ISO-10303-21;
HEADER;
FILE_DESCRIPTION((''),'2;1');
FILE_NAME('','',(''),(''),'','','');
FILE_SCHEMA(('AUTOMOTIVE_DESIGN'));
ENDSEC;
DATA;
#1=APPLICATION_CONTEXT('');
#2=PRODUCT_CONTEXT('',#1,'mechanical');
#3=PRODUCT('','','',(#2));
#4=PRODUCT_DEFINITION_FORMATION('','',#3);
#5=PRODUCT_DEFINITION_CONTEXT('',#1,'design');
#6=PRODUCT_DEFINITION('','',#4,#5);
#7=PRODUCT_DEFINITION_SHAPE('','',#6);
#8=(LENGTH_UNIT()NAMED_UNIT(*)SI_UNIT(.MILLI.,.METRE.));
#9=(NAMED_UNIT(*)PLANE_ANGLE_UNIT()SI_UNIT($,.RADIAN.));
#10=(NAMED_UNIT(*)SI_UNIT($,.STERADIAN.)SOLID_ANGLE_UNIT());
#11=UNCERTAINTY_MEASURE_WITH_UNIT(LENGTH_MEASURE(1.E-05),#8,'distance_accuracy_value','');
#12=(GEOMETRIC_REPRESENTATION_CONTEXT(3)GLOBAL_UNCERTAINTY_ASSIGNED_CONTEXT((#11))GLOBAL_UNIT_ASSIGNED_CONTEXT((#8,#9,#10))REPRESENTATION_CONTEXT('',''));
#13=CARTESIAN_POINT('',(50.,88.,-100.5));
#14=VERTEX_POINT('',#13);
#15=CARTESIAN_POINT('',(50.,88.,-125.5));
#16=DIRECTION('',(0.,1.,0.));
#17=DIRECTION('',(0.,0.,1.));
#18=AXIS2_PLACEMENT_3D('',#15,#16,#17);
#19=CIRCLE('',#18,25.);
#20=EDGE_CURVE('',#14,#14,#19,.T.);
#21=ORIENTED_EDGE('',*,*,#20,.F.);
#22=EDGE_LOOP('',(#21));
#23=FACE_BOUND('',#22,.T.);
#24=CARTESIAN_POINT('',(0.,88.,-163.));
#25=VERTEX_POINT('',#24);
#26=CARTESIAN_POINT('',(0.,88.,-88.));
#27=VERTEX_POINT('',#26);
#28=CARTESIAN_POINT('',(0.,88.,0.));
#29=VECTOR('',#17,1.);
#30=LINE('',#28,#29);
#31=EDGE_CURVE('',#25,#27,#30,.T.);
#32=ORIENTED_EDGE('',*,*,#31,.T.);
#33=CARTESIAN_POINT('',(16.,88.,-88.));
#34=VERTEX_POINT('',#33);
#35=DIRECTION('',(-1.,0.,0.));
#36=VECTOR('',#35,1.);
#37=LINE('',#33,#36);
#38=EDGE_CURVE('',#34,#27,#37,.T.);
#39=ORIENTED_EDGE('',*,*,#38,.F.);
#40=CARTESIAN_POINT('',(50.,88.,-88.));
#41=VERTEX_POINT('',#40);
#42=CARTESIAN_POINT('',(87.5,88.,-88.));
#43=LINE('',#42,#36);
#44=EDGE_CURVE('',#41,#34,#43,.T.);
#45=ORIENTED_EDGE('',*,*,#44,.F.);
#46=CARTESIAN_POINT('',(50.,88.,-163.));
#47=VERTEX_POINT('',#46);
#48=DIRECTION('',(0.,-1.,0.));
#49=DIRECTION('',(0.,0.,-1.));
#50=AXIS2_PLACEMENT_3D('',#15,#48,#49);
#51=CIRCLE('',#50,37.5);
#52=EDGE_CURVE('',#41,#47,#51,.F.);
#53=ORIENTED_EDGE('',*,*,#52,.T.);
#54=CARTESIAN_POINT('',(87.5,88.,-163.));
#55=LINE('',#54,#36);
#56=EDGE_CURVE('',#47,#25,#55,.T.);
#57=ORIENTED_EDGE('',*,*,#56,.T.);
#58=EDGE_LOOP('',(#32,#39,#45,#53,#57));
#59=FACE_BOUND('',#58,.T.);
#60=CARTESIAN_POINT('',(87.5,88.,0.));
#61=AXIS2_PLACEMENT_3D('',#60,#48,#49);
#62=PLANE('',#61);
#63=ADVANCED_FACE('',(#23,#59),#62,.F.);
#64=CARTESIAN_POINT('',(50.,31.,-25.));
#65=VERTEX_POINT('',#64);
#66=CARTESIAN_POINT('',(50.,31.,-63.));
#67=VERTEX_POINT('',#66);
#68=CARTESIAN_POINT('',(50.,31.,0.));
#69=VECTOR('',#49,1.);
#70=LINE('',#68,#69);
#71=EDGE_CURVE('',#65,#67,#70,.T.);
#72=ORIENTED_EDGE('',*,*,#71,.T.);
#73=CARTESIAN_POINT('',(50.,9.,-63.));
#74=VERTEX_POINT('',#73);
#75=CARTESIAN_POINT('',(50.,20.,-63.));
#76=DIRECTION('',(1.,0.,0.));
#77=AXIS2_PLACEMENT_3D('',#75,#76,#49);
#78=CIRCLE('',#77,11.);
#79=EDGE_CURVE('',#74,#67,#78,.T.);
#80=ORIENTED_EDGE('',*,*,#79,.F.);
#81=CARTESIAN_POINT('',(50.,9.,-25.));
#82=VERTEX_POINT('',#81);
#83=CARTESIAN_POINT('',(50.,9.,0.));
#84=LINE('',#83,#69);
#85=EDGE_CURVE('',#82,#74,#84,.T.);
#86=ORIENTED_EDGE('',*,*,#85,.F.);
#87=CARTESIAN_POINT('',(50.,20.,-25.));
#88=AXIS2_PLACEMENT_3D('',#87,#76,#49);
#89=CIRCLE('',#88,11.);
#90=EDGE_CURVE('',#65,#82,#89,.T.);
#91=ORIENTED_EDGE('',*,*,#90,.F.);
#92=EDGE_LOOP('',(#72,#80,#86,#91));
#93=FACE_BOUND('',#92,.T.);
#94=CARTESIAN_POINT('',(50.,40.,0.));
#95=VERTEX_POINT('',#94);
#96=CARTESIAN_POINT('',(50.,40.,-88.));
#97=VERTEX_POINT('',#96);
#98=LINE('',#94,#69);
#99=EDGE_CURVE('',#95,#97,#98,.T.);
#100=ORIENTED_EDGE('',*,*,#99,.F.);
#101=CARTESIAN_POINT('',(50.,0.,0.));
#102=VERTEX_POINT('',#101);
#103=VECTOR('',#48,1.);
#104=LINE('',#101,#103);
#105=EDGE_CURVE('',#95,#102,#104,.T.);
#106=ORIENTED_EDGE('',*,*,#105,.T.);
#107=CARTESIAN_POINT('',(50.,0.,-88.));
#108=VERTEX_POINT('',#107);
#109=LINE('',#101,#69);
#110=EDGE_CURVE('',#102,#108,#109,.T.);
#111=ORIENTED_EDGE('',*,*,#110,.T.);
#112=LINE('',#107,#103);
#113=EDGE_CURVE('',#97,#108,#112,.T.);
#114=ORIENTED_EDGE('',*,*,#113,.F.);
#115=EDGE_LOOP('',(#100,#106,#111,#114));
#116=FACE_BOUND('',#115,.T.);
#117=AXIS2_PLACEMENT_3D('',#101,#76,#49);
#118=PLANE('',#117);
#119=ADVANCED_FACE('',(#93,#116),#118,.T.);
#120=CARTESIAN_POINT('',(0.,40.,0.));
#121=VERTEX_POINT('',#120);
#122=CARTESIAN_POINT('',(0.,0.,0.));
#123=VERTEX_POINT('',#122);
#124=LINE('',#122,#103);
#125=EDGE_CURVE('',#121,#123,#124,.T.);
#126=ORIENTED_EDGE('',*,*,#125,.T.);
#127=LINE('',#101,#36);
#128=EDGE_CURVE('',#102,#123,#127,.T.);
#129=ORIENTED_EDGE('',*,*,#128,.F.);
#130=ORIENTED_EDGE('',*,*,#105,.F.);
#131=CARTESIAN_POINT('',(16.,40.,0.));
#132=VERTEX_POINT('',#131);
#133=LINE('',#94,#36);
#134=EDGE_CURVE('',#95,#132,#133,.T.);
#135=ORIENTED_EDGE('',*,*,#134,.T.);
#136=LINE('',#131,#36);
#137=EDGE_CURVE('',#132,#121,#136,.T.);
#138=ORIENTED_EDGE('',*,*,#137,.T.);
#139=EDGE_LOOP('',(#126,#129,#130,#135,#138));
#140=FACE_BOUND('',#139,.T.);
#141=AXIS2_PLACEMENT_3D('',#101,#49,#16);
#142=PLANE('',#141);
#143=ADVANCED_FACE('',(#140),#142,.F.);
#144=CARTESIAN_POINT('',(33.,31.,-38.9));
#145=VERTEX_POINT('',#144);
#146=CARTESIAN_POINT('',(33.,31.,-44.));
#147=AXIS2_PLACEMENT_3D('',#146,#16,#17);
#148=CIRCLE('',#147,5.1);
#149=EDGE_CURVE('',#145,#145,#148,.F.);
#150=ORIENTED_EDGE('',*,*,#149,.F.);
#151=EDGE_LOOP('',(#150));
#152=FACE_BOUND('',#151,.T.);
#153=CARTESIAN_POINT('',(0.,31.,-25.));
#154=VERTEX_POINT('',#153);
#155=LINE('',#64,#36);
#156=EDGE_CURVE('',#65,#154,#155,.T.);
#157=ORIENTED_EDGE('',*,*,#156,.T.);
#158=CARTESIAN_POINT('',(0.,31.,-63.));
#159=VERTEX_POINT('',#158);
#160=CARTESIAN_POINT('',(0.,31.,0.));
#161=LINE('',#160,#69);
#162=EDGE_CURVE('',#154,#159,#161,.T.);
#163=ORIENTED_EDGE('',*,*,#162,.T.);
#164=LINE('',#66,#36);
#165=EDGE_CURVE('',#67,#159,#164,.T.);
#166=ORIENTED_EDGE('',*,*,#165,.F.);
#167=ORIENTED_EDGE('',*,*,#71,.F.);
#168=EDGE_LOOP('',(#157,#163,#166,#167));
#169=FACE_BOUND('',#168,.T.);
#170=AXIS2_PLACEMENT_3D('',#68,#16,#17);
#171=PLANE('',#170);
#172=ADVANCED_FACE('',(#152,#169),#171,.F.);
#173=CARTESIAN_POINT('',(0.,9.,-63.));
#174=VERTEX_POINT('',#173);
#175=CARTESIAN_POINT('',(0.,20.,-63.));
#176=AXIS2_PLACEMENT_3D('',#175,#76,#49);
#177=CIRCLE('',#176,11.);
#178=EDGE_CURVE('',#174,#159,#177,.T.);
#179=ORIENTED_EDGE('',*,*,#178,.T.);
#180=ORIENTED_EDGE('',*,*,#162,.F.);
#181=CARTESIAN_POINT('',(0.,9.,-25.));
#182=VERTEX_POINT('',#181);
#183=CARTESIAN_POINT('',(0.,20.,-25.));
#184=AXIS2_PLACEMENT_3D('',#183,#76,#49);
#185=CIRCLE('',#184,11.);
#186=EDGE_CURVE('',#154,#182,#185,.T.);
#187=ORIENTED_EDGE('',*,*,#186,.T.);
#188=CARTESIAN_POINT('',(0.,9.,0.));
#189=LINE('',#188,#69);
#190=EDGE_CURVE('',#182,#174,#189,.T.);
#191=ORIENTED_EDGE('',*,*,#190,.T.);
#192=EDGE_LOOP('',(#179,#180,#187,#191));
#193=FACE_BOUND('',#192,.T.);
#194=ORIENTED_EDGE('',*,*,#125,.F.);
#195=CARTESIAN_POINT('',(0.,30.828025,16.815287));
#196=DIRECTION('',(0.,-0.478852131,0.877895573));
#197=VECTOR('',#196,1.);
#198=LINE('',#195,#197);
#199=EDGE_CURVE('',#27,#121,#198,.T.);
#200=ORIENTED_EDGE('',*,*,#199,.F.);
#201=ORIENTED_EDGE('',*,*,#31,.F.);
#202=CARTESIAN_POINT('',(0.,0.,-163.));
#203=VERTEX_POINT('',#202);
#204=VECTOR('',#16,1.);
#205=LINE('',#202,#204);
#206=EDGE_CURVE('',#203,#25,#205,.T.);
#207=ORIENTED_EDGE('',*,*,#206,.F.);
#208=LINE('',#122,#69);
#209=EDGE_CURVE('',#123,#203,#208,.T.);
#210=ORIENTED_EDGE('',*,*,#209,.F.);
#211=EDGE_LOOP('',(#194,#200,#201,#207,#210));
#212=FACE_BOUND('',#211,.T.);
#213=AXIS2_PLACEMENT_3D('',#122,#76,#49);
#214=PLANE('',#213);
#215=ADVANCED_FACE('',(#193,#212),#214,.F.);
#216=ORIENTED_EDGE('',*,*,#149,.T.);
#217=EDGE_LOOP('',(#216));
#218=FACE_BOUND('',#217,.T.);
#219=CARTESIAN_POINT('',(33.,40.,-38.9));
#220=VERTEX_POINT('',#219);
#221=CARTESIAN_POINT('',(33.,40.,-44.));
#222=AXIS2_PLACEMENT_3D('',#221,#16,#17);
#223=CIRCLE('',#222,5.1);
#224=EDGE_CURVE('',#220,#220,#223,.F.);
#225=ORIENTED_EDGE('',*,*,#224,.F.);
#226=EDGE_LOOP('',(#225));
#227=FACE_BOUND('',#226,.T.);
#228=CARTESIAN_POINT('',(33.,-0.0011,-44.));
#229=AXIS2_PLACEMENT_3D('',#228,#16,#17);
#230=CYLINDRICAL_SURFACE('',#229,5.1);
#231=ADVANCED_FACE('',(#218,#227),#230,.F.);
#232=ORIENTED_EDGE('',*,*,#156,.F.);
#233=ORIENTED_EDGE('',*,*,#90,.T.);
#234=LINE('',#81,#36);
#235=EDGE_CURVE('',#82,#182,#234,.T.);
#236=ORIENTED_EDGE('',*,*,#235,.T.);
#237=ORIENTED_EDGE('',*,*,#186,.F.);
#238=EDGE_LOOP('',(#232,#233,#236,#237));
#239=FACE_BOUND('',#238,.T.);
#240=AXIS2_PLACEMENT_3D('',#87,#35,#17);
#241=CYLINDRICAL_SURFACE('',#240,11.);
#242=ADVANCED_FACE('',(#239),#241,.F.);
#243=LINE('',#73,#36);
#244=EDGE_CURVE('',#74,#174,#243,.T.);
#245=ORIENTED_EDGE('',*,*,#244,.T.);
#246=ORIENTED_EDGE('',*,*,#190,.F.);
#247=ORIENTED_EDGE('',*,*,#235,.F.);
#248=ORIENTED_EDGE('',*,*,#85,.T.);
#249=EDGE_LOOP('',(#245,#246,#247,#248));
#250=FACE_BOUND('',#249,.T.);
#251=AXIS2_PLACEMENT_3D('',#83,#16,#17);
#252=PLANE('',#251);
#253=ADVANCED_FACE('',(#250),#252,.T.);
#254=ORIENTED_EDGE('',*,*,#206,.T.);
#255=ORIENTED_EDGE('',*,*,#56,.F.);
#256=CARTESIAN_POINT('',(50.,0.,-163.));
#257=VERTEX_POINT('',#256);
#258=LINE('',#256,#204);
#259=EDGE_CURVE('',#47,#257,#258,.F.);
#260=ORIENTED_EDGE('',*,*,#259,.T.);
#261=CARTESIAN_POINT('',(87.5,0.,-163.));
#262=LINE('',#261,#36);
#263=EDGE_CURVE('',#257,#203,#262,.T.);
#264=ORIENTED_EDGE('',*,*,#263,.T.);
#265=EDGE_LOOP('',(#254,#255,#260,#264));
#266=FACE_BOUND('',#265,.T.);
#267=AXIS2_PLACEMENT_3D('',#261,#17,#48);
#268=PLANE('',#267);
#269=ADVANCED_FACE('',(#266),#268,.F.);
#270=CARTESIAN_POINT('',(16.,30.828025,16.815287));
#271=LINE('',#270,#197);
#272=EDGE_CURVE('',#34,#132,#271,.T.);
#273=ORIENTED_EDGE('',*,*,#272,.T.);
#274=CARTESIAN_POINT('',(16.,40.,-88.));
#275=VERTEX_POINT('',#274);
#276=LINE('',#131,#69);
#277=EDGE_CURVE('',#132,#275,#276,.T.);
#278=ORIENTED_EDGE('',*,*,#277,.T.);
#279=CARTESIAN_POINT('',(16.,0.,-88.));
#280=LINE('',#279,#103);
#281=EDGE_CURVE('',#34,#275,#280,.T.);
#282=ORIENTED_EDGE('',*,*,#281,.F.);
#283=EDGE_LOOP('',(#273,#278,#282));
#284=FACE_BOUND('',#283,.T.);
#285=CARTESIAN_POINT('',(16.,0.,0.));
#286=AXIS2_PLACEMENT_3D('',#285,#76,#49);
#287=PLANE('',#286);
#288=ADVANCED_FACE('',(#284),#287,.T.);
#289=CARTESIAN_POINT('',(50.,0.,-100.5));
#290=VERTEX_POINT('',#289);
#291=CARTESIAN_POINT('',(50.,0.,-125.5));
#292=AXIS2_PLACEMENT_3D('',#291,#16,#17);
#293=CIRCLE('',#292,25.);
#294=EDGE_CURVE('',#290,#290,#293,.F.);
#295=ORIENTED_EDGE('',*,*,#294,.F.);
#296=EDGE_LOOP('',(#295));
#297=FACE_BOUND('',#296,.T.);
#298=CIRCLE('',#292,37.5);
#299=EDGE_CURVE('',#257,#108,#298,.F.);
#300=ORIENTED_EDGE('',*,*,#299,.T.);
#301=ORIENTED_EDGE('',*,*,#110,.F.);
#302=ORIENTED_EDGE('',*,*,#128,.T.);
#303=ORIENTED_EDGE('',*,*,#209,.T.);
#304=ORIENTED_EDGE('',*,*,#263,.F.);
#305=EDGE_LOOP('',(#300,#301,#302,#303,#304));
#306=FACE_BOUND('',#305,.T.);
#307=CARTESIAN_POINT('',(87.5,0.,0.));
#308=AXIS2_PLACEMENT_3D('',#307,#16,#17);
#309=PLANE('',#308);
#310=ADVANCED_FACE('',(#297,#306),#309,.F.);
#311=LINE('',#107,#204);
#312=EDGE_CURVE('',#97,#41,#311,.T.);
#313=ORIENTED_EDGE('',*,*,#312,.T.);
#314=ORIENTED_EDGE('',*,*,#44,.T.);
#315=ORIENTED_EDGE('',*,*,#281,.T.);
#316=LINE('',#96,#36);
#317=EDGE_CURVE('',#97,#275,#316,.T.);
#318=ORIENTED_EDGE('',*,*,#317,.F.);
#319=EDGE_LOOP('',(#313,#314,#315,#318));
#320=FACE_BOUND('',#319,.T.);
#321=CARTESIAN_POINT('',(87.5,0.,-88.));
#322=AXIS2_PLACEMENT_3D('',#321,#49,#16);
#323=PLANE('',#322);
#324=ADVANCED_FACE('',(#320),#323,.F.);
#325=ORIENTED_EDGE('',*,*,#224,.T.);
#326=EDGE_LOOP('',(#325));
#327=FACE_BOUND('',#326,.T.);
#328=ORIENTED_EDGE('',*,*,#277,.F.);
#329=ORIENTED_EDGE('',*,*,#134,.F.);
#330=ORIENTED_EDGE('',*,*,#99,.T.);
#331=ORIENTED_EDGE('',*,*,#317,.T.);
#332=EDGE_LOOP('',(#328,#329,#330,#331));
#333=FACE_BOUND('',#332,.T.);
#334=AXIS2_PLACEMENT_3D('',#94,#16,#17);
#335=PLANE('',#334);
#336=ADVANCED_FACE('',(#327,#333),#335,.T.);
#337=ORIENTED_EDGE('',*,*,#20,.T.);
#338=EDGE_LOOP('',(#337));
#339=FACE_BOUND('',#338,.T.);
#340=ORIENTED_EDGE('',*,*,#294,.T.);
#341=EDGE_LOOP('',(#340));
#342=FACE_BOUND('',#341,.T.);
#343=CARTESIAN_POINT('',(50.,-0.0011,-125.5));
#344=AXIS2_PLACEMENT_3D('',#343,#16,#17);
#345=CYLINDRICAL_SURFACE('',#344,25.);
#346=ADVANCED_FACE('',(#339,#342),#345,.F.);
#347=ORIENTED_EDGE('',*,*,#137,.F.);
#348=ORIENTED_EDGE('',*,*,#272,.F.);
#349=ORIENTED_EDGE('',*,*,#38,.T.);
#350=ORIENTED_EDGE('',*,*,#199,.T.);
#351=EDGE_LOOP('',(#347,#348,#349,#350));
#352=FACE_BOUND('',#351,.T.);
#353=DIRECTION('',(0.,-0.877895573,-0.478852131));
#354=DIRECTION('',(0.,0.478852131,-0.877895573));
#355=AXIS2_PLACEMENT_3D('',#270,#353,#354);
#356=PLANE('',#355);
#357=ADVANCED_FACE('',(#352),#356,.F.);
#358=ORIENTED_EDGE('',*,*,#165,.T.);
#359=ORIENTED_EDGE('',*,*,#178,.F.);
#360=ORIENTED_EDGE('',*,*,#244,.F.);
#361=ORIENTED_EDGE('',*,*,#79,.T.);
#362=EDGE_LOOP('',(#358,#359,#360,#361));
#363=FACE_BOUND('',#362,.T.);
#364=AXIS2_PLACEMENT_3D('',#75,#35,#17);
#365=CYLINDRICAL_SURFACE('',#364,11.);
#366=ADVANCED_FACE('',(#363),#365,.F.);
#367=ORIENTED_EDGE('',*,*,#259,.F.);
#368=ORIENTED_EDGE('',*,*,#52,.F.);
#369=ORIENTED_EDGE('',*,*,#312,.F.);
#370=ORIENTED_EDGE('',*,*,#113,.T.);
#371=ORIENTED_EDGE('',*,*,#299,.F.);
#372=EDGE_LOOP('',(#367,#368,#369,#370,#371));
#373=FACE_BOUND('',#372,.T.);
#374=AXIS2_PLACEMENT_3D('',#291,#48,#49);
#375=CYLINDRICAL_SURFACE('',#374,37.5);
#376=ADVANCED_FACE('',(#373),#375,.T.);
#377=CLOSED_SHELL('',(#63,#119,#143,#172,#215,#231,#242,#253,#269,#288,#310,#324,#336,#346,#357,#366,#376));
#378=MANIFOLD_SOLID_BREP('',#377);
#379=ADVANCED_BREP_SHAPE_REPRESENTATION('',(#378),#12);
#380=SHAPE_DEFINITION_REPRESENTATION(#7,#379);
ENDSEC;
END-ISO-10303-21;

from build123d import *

# Parameters (mm, degrees)
BOSS_EXTRUDE1_DEPTH = 87.5
SKETCH1_3_W         = 88
SKETCH1_3_H         = 40
BOSS_EXTRUDE2_DEPTH = 50
BOSS_EXTRUDE3_DEPTH = 16
FILLET1_RADIUS      = 37.5
FILLET1_LENGTH      = 88
CUT_EXTRUDE1_REACH  = 206.864
SKETCH4_R           = 25
SKETCH4_R_2         = 5.1


with BuildPart() as part:
    # Sketch1 → Boss-Extrude1 (new body)
    with BuildSketch(Plane(origin=(0, 0, 0), x_dir=(0, 0, -1), z_dir=(1, 0, 0))):
        Polygon((88, 40), (88, 0), (163, 0), (163, 88), (88, 88), align=None)
    extrude(amount=BOSS_EXTRUDE1_DEPTH)

    # Sketch1<3> → Boss-Extrude2 (add)
    with BuildSketch(Plane(origin=(0, 0, 0), x_dir=(0, 0, -1), z_dir=(1, 0, 0))):
        with Locations((44, 20)):
            Rectangle(SKETCH1_3_W, SKETCH1_3_H)
        with BuildLine():
            ThreePointArc((25, 9), (14, 20), (25, 31))
            Line((25, 31), (63, 31))
            ThreePointArc((63, 31), (74, 20), (63, 9))
            Line((63, 9), (25, 9))
        make_face(mode=Mode.SUBTRACT)
    extrude(amount=BOSS_EXTRUDE2_DEPTH)

    # Sketch1<4> → Boss-Extrude3 (add)
    with BuildSketch(Plane(origin=(0, 0, 0), x_dir=(0, 0, -1), z_dir=(1, 0, 0))):
        Polygon((88, 88), (0, 40), (88, 40), align=None)
    extrude(amount=BOSS_EXTRUDE3_DEPTH)

    # Fillet1: full round fillet: the end face becomes a half cylinder, R = half its width
    fillet1_face = Plane((87.5, 44, -125.5), x_dir=(0, 1, 0), z_dir=(1, 0, 0))  # on the end face: x along it, z out of the body
    fillet1_slab = fillet1_face.offset(-FILLET1_RADIUS / 2) * Box(FILLET1_LENGTH, 2 * FILLET1_RADIUS, FILLET1_RADIUS, mode=Mode.PRIVATE)  # the body's end, R deep
    fillet1_round = Plane((50, 44, -125.5), x_dir=(1, 0, 0), z_dir=(0, 1, 0)) * Cylinder(FILLET1_RADIUS, FILLET1_LENGTH, mode=Mode.PRIVATE)  # its axis R under the face
    add(fillet1_slab - fillet1_round, mode=Mode.SUBTRACT)

    # Sketch4 → Cut-Extrude1 (cut, up to next)
    with BuildSketch(Plane(origin=(0, 88, 0), x_dir=(1, 0, 0), z_dir=(0, 1, 0)), mode=Mode.PRIVATE) as cut_extrude1_sk1:
        with Locations(Location((50, 125.5, 0), (0, 0, 270))):
            Circle(SKETCH4_R)
    cut_extrude1_tool1 = extrude(cut_extrude1_sk1.sketch, amount=-CUT_EXTRUDE1_REACH, mode=Mode.PRIVATE) & part.part
    # Sketch4 → Cut-Extrude1 (cut, up to next)
    with BuildSketch(Plane(origin=(0, 88, 0), x_dir=(1, 0, 0), z_dir=(0, 1, 0)), mode=Mode.PRIVATE) as cut_extrude1_sk2:
        with Locations(Location((33, 44, 0), (0, 0, 270))):
            Circle(SKETCH4_R_2)
    cut_extrude1_tool2 = extrude(cut_extrude1_sk2.sketch, amount=-CUT_EXTRUDE1_REACH, mode=Mode.PRIVATE) & part.part
    add(cut_extrude1_tool1.solids().sort_by_distance((50, 88, -125.5))[0], mode=Mode.SUBTRACT)
    add(cut_extrude1_tool2.solids().sort_by_distance((33, 88, -44))[0], mode=Mode.SUBTRACT)


solid = part.part
